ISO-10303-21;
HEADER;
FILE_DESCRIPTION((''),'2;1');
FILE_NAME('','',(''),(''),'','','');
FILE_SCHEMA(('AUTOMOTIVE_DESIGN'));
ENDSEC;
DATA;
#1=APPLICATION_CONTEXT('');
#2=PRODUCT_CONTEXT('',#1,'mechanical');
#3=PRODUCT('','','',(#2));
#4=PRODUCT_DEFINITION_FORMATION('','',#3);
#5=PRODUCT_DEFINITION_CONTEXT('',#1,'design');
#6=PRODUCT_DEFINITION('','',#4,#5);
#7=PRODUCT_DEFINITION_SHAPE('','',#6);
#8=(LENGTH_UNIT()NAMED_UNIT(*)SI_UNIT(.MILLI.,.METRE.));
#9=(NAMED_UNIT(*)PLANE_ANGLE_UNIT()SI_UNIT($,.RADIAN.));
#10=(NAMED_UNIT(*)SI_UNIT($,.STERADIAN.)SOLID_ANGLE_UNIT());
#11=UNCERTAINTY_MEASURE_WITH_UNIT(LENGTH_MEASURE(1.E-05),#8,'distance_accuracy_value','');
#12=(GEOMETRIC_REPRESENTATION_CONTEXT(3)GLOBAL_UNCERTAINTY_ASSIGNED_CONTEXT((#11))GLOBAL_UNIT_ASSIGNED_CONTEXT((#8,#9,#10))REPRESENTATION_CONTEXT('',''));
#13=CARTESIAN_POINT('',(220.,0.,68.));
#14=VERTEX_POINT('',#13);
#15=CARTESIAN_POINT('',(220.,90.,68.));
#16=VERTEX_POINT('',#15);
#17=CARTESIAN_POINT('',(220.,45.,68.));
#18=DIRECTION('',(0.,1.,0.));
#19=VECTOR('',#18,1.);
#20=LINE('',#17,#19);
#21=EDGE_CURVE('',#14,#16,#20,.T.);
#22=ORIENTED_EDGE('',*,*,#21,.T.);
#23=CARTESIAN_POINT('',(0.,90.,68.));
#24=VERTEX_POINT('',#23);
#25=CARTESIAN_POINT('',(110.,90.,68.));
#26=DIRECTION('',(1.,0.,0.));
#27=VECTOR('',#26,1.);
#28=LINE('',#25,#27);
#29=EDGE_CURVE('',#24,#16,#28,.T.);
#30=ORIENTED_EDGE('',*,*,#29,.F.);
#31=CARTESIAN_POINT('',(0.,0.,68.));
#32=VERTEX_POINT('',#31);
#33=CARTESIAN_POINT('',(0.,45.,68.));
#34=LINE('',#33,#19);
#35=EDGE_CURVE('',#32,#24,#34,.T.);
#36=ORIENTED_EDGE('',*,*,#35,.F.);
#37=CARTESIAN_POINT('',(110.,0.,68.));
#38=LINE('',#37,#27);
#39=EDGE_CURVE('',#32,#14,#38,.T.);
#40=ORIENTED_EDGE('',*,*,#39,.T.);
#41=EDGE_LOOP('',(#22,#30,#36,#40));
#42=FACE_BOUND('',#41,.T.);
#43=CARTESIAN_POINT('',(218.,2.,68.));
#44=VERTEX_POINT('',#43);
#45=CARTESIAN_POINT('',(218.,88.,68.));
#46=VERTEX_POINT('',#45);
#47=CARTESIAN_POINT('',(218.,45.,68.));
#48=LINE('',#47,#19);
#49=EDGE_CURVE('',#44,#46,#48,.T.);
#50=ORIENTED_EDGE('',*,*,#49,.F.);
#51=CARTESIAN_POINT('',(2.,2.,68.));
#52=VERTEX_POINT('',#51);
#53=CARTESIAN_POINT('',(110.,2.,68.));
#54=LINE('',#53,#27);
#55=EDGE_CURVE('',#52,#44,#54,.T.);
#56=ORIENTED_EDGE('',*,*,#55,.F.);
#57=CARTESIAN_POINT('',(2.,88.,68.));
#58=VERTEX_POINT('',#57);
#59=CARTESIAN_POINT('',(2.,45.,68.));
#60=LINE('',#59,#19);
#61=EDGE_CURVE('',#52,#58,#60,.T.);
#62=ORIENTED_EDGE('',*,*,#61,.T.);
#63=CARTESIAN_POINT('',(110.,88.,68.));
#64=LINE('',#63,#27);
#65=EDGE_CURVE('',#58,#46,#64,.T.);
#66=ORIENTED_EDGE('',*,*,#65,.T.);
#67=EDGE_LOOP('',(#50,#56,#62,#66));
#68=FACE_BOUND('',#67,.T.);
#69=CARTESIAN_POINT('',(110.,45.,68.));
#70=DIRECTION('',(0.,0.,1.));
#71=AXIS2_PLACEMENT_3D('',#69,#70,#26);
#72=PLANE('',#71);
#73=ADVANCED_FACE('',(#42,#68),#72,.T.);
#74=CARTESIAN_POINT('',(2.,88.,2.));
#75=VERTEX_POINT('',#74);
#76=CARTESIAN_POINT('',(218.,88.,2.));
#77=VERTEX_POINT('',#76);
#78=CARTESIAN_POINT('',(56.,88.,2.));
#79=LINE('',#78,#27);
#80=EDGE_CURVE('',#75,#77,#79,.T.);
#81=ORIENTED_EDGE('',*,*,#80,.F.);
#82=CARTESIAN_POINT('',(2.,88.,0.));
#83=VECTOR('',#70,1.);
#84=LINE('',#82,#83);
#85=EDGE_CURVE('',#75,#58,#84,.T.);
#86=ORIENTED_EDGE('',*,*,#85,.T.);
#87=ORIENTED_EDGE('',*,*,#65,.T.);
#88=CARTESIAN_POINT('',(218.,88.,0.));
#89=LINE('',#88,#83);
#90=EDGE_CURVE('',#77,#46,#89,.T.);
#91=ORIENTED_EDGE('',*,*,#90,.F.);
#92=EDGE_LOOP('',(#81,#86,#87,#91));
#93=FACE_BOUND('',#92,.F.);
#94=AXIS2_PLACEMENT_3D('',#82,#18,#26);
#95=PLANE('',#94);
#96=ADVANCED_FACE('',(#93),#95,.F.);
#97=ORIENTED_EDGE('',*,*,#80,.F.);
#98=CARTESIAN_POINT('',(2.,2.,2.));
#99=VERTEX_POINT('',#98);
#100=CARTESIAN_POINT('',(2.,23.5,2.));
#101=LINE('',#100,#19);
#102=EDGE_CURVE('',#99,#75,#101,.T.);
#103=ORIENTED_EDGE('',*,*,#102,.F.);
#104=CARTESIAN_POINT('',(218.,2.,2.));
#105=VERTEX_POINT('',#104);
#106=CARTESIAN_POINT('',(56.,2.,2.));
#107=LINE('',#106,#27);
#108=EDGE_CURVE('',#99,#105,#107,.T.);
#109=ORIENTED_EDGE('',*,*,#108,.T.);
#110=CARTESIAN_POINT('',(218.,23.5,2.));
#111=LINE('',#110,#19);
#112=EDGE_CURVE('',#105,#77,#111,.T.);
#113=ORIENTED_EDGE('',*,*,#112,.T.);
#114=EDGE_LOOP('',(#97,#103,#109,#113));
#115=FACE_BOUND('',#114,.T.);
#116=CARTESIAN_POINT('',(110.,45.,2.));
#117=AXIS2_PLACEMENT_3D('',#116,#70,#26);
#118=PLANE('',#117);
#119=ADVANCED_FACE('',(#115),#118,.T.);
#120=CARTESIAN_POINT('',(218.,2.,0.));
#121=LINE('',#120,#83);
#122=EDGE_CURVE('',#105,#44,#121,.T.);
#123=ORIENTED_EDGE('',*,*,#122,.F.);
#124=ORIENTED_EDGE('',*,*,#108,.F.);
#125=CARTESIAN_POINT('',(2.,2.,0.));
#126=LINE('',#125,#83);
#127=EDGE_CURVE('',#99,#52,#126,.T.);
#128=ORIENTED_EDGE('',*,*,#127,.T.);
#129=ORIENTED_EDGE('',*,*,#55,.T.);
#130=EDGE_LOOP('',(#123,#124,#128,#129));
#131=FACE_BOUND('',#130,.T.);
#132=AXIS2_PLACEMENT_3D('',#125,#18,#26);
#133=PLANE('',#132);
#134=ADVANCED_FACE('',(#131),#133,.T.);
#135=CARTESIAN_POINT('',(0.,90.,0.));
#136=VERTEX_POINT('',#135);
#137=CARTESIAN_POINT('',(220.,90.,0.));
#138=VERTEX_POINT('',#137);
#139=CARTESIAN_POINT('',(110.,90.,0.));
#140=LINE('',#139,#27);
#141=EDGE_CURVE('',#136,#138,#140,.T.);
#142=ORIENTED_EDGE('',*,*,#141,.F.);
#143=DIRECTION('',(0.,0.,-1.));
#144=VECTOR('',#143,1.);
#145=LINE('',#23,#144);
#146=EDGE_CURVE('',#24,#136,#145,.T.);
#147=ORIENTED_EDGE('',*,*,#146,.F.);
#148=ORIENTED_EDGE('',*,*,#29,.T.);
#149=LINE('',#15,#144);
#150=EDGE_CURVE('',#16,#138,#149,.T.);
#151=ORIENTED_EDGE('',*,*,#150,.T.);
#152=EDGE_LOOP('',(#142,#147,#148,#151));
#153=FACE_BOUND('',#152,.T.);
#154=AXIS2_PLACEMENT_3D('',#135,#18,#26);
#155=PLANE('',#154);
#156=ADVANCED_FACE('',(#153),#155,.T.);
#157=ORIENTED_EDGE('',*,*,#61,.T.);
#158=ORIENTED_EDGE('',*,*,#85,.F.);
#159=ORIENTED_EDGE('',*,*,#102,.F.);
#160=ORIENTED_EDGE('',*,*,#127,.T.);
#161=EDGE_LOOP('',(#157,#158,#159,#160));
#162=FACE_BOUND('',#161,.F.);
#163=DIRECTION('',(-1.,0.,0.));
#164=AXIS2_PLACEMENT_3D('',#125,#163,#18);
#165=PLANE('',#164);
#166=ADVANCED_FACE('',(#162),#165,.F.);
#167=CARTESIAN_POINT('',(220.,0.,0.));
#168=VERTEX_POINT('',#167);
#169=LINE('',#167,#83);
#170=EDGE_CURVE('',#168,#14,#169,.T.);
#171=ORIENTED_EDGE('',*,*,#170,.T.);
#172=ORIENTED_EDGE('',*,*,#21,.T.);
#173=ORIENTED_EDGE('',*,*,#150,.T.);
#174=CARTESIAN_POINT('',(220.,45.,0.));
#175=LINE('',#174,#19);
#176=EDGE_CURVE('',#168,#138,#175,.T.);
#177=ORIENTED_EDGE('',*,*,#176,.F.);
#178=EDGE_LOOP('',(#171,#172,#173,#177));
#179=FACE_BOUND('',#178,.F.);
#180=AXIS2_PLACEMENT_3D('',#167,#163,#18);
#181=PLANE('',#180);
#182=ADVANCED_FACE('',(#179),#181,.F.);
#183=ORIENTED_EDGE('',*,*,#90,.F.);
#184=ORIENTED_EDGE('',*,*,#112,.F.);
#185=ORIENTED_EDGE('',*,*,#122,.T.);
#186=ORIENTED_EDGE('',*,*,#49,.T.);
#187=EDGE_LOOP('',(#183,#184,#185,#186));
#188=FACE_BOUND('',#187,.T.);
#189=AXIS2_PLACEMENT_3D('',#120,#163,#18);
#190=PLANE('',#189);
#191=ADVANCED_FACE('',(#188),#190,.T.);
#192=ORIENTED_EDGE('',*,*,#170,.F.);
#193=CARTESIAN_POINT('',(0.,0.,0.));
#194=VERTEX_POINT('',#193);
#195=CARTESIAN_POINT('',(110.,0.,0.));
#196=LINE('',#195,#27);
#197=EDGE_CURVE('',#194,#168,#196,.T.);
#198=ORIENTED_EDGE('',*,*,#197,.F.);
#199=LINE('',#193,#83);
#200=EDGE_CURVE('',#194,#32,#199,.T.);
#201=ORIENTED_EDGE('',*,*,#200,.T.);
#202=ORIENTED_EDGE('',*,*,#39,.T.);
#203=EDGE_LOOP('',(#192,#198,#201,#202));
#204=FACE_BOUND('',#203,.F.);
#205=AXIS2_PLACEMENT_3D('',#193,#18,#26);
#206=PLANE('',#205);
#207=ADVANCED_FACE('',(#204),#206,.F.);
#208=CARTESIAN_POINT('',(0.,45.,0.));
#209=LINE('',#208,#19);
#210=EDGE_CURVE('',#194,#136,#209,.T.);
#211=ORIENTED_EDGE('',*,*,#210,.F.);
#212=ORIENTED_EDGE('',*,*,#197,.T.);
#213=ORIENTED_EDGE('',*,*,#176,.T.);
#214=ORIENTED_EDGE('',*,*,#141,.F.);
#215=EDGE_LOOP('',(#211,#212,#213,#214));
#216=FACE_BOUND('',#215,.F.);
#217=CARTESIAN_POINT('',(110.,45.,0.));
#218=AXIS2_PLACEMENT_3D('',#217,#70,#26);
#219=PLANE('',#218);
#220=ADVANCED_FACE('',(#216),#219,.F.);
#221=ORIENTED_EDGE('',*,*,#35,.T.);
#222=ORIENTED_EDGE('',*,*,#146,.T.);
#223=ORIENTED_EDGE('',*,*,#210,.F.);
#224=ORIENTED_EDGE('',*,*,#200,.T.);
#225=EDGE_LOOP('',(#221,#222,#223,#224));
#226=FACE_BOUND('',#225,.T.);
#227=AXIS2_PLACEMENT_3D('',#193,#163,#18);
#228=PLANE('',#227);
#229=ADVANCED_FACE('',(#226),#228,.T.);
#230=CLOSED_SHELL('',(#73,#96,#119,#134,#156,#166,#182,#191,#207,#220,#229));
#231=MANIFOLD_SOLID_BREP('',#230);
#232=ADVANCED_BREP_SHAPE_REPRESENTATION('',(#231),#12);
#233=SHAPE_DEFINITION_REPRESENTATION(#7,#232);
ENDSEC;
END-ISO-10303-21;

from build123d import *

# Parameters (mm, degrees)
F0_W     = 220
F0_H     = 90
F0_W_2   = 216
F0_H_2   = 86
F1_DEPTH = 68
F2_W     = 220
F2_H     = 90
F3_DEPTH = 2


with BuildPart() as f1:
    # F0 (on Top) → F1 (new body)
    with BuildSketch(Plane.XY):
        with Locations((110, 45)):
            Rectangle(F0_W, F0_H)
        with Locations((110, 45)):
            Rectangle(F0_W_2, F0_H_2, mode=Mode.SUBTRACT)
    extrude(amount=F1_DEPTH)

    # F2 (on Top) → F3 (join)
    with BuildSketch(Plane.XY):
        with Locations((110, 45)):
            Rectangle(F2_W, F2_H)
    extrude(amount=F3_DEPTH)


solid = f1.part
